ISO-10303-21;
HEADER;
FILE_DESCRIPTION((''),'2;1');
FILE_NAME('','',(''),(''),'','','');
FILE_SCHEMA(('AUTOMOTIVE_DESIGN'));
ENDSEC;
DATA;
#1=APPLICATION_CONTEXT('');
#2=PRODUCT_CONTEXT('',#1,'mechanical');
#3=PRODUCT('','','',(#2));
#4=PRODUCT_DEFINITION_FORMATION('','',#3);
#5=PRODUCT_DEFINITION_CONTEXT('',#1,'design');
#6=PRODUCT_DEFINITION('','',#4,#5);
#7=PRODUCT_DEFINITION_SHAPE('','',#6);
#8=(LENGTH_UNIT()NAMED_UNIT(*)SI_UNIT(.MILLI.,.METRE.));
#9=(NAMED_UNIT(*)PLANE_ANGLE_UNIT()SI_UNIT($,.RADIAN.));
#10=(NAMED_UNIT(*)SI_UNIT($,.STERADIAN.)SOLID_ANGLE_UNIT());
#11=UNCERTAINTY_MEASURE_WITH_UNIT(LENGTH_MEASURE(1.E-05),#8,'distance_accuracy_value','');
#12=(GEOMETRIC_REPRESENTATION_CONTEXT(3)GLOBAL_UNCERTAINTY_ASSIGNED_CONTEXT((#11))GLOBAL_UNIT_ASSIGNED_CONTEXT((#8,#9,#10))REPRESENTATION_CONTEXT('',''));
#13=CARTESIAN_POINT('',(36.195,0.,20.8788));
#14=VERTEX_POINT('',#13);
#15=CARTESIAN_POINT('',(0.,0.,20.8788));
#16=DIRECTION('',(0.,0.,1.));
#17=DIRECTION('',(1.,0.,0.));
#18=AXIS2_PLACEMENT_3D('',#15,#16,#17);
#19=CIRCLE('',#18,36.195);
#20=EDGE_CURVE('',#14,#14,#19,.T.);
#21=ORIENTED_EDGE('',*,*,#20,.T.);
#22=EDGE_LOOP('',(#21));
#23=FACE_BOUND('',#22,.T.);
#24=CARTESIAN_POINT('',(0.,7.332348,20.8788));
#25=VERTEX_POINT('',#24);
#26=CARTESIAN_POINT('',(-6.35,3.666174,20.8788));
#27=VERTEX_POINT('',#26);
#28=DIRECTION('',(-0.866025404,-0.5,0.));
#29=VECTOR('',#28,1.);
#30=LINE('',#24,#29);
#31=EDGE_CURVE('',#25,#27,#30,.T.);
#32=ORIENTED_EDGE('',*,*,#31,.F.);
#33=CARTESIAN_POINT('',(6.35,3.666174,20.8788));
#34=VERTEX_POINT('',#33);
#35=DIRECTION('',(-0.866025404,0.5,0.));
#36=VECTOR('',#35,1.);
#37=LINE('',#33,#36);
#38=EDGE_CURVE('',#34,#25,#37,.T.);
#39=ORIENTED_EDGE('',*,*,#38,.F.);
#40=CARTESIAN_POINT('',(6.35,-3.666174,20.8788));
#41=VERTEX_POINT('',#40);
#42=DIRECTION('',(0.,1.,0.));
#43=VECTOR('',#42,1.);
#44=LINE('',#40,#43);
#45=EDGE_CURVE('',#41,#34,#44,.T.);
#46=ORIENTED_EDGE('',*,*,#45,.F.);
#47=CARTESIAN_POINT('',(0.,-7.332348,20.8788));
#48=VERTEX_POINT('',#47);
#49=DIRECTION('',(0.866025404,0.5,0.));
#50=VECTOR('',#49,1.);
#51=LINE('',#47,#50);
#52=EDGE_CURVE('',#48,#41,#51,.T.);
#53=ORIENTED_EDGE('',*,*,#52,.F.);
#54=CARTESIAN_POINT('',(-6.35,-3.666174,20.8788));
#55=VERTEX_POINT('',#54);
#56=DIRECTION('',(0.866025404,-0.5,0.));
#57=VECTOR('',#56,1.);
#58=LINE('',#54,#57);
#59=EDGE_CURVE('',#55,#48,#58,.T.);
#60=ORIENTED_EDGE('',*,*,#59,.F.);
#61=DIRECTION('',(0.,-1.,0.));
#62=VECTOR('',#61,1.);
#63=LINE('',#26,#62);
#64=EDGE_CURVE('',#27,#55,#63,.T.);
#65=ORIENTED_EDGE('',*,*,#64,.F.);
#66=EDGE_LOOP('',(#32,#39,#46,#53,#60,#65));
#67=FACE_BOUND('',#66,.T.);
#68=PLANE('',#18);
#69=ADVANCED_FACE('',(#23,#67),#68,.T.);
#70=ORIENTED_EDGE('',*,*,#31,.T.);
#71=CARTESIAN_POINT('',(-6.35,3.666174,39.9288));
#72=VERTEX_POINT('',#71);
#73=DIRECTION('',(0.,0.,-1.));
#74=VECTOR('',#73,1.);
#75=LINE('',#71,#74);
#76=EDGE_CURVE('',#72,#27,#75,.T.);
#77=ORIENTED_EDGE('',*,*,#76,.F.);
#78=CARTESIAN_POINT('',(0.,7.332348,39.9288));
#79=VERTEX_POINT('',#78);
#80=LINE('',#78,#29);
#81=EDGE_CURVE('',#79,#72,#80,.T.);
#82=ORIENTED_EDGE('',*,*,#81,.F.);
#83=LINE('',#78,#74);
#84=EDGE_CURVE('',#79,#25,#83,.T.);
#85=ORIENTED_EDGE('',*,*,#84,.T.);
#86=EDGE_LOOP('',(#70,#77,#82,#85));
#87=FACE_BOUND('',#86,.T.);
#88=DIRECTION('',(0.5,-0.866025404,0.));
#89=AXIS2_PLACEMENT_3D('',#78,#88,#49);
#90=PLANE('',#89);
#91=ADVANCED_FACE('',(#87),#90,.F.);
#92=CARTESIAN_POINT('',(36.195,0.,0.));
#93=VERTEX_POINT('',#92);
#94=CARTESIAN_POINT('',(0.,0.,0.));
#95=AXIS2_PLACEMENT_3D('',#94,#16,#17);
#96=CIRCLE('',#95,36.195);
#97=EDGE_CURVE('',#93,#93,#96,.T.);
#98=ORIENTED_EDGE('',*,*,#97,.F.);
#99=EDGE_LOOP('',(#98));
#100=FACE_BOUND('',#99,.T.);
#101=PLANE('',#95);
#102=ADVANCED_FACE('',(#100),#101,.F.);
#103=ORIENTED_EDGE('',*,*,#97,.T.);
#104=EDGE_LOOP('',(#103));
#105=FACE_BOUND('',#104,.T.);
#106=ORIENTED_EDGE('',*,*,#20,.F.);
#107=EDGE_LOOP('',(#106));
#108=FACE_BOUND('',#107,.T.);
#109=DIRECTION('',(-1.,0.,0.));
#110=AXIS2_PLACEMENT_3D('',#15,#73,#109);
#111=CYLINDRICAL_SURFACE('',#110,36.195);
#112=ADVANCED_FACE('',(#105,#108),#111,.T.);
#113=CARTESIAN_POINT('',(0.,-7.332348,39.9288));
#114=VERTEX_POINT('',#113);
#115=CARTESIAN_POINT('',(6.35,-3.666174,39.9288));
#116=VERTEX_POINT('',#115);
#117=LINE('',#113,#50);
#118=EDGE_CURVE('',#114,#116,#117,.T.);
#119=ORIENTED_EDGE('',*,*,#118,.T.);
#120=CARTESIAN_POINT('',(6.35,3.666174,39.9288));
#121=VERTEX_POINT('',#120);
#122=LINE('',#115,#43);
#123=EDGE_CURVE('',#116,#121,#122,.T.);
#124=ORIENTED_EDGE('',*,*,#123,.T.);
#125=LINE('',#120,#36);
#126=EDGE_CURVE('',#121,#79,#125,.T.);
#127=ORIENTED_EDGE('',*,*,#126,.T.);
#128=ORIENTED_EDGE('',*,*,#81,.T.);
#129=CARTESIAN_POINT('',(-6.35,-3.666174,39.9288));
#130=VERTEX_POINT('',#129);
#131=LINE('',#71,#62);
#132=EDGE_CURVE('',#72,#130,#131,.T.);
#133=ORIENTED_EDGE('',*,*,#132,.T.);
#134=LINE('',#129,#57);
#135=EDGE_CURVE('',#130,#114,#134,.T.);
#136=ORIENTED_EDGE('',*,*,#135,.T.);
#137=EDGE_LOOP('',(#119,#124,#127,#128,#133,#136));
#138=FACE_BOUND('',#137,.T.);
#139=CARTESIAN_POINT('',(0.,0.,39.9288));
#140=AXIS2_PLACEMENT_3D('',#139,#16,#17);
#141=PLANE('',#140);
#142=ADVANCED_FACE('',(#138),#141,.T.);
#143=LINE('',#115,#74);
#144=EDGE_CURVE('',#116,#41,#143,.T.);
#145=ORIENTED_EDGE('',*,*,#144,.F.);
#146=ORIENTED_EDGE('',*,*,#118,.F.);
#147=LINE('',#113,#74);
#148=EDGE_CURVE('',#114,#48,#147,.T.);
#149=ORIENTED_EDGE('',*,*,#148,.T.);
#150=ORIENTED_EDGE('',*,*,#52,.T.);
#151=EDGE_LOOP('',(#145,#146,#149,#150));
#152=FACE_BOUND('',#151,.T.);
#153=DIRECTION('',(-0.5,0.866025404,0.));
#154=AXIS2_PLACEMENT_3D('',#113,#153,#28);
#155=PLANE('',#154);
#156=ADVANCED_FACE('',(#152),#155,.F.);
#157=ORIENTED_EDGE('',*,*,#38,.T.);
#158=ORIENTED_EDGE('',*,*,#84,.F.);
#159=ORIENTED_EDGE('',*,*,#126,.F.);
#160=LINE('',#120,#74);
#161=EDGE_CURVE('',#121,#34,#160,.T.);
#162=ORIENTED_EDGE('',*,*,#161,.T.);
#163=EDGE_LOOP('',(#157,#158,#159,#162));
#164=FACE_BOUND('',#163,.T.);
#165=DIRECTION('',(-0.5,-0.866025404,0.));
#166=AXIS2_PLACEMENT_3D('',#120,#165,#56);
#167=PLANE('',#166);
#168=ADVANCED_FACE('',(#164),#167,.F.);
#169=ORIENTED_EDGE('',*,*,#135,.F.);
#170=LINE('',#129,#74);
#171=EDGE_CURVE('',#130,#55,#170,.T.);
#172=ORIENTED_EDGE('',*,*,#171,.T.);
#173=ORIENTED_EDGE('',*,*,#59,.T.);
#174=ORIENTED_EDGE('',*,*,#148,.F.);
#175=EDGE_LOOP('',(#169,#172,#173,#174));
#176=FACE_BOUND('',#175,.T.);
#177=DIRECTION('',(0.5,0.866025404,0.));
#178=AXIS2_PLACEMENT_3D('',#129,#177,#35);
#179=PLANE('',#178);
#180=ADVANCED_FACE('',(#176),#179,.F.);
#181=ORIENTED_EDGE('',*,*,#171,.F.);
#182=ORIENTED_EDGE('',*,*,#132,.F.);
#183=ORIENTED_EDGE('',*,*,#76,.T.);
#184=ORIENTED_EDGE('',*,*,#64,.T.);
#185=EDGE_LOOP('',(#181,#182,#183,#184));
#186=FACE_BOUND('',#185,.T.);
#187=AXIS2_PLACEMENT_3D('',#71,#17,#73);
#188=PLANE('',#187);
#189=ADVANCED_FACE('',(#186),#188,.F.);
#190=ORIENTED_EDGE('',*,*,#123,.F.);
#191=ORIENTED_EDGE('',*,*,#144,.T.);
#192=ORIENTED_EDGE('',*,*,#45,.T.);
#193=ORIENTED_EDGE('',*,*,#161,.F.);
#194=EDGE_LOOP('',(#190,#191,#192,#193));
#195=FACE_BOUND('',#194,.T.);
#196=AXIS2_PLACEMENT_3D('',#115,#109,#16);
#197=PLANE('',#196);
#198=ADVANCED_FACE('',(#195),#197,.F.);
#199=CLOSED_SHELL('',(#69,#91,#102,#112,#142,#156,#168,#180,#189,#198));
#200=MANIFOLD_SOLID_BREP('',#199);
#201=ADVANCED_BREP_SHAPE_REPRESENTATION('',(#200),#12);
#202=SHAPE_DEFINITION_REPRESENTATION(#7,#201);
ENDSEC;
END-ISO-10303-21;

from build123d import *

# Parameters (mm, degrees)
SKETCH2_R           = 36.195
BOSS_EXTRUDE1_DEPTH = 20.8788
BOSS_EXTRUDE2_DEPTH = 19.05


with BuildPart() as part:
    # Sketch2 → Boss-Extrude1 (new body)
    with BuildSketch(Plane.XY):
        Circle(SKETCH2_R)
    extrude(amount=BOSS_EXTRUDE1_DEPTH)

    # Sketch3 → Boss-Extrude2 (add)
    with BuildSketch(Plane.XY.offset(20.8788)):
        Polygon((6.35, -3.666174209), (6.35, 3.666174209), (0, 7.332348419), (-6.35, 3.666174209), (-6.35, -3.666174209), (0, -7.332348419), align=None)
    extrude(amount=BOSS_EXTRUDE2_DEPTH)


solid = part.part
